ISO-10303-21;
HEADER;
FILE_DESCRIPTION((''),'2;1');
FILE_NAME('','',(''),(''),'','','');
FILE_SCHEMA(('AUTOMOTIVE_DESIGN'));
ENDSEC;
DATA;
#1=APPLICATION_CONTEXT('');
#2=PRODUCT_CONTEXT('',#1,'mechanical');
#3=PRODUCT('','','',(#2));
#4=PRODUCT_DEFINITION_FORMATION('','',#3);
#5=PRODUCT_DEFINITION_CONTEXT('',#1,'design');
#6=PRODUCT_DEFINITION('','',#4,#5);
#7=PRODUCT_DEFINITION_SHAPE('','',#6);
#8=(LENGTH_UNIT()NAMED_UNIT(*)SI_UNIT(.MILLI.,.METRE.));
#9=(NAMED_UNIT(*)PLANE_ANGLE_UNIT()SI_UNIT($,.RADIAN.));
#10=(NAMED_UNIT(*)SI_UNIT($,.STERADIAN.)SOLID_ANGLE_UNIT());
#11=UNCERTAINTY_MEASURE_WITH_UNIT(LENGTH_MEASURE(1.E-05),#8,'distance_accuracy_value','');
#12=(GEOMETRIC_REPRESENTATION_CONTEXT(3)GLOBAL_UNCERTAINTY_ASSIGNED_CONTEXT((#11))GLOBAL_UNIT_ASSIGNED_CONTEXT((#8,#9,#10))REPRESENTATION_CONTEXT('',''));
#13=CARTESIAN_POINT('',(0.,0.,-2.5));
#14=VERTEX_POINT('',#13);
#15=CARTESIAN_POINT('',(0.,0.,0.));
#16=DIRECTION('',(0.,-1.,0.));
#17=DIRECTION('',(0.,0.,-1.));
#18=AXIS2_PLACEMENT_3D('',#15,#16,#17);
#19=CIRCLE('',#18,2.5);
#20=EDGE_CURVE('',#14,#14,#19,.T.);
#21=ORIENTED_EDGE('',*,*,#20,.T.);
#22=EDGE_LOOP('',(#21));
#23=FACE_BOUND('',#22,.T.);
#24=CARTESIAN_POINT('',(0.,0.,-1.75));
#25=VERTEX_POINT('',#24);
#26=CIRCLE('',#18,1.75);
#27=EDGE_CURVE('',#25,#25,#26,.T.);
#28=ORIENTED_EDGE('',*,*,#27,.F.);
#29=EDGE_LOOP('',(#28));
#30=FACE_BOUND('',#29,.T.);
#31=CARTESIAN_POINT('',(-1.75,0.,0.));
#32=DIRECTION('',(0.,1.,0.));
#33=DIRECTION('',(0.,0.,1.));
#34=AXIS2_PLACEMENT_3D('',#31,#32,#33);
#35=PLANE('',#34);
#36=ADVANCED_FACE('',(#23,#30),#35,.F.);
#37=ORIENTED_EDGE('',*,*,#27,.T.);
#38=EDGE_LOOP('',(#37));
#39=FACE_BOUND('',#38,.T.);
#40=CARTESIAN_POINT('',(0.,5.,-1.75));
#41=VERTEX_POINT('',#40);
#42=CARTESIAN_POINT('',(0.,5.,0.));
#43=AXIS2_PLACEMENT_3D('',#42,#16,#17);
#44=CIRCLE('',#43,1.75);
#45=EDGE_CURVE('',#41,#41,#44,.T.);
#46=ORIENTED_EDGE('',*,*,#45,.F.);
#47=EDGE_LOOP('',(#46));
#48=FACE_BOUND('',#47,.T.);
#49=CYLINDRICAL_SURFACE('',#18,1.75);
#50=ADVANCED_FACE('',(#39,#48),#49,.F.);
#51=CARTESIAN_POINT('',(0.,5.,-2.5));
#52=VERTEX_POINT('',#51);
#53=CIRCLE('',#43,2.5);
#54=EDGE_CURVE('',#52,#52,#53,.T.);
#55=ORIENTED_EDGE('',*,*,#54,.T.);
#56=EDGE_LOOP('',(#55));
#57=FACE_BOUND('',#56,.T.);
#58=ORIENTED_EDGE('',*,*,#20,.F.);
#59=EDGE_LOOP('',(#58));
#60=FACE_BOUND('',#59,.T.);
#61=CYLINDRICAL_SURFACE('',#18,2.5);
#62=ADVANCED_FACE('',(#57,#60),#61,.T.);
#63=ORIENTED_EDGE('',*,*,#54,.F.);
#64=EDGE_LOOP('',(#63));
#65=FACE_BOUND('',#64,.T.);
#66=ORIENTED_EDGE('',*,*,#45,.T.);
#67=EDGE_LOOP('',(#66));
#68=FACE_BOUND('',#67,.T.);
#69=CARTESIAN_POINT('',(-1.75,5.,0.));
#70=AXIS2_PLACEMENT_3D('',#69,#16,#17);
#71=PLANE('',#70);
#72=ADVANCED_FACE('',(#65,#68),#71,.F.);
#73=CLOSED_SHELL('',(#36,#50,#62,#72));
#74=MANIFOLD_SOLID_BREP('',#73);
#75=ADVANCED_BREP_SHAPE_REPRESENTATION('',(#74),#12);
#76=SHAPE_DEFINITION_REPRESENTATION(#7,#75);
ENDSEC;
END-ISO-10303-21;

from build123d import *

# Parameters (mm, degrees)
SKETCH1_W = 0.75
SKETCH1_H = 5


with BuildPart() as part:
    # Sketch1 → Revolve1 (revolve)
    with BuildSketch(Plane.XY, mode=Mode.PRIVATE) as revolve1_sk:
        with Locations((-2.125, 2.5)):
            Rectangle(SKETCH1_W, SKETCH1_H)
    revolve(revolve1_sk.sketch.rotate(Axis((0, 0, 0), (0, 1, 0)), 270), axis=Axis((0, 0, 0), (0, 1, 0)))


solid = part.part
